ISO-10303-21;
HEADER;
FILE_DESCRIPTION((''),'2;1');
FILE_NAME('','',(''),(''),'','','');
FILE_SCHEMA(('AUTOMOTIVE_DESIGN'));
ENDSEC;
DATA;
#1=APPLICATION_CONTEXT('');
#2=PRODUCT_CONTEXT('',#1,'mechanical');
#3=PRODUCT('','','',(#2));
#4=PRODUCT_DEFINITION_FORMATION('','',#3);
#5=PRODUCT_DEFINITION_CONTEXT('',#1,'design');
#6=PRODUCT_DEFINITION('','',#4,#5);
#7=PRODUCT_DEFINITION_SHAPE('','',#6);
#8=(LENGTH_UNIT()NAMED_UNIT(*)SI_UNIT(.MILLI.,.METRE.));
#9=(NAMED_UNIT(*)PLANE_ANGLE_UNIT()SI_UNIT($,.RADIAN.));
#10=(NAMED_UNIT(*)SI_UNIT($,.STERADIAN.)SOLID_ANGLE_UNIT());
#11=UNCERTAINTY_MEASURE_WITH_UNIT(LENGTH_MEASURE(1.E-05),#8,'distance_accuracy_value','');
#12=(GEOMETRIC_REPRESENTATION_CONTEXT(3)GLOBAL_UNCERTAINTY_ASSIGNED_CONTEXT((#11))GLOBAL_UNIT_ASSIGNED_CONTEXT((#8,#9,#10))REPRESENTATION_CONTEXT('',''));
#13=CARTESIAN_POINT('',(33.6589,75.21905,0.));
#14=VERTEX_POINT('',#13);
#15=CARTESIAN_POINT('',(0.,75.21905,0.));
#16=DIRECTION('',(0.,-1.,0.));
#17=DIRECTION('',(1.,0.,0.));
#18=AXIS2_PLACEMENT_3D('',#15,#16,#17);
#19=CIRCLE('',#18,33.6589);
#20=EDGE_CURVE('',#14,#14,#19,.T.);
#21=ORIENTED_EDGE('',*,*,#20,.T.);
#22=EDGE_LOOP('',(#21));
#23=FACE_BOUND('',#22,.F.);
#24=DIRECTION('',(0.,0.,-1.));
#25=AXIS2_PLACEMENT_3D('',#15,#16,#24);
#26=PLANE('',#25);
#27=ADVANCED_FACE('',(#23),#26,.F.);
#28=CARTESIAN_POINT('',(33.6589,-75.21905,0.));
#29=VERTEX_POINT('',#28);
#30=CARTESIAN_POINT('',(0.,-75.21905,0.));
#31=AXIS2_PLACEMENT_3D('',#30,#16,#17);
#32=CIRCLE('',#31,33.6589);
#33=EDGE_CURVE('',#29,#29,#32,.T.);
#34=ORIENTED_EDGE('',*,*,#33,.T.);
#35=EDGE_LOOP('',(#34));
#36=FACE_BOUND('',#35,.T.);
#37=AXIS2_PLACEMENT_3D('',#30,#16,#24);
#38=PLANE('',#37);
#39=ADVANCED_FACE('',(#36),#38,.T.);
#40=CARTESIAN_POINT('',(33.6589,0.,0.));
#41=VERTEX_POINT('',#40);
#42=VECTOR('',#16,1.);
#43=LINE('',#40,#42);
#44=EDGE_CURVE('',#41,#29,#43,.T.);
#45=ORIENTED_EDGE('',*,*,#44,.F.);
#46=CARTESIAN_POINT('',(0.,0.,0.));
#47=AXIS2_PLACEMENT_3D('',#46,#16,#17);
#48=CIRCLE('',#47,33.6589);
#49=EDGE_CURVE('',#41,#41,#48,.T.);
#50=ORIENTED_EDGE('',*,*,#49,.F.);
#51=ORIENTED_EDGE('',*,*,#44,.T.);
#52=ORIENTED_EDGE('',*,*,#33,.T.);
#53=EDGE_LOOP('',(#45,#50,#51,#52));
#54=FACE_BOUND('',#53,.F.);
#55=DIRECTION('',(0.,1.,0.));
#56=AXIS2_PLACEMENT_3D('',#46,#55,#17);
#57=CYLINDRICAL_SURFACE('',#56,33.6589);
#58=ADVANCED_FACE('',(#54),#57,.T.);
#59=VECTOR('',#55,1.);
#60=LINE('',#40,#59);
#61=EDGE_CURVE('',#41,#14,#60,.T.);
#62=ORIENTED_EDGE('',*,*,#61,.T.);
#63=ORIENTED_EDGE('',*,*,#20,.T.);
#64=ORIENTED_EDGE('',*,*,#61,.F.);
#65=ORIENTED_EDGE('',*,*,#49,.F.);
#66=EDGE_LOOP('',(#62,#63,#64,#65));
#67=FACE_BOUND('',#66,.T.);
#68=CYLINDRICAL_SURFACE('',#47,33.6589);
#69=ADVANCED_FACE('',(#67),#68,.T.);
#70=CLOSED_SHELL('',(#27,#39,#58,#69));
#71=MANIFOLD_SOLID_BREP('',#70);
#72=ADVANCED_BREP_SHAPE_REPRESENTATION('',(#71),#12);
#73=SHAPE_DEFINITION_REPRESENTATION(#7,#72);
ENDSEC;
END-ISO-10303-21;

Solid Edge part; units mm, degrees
sketch "Sketch1" plane through (0, 0, 0) normal (0, -1, 0) x (1, 0, 0)
  circle A0 centre (0, 0) radius 33.6589
extrude "Protrusion1" add sketch "Sketch1" along normal mid plane 150.4381
properties material "우드, 물푸레나무"
